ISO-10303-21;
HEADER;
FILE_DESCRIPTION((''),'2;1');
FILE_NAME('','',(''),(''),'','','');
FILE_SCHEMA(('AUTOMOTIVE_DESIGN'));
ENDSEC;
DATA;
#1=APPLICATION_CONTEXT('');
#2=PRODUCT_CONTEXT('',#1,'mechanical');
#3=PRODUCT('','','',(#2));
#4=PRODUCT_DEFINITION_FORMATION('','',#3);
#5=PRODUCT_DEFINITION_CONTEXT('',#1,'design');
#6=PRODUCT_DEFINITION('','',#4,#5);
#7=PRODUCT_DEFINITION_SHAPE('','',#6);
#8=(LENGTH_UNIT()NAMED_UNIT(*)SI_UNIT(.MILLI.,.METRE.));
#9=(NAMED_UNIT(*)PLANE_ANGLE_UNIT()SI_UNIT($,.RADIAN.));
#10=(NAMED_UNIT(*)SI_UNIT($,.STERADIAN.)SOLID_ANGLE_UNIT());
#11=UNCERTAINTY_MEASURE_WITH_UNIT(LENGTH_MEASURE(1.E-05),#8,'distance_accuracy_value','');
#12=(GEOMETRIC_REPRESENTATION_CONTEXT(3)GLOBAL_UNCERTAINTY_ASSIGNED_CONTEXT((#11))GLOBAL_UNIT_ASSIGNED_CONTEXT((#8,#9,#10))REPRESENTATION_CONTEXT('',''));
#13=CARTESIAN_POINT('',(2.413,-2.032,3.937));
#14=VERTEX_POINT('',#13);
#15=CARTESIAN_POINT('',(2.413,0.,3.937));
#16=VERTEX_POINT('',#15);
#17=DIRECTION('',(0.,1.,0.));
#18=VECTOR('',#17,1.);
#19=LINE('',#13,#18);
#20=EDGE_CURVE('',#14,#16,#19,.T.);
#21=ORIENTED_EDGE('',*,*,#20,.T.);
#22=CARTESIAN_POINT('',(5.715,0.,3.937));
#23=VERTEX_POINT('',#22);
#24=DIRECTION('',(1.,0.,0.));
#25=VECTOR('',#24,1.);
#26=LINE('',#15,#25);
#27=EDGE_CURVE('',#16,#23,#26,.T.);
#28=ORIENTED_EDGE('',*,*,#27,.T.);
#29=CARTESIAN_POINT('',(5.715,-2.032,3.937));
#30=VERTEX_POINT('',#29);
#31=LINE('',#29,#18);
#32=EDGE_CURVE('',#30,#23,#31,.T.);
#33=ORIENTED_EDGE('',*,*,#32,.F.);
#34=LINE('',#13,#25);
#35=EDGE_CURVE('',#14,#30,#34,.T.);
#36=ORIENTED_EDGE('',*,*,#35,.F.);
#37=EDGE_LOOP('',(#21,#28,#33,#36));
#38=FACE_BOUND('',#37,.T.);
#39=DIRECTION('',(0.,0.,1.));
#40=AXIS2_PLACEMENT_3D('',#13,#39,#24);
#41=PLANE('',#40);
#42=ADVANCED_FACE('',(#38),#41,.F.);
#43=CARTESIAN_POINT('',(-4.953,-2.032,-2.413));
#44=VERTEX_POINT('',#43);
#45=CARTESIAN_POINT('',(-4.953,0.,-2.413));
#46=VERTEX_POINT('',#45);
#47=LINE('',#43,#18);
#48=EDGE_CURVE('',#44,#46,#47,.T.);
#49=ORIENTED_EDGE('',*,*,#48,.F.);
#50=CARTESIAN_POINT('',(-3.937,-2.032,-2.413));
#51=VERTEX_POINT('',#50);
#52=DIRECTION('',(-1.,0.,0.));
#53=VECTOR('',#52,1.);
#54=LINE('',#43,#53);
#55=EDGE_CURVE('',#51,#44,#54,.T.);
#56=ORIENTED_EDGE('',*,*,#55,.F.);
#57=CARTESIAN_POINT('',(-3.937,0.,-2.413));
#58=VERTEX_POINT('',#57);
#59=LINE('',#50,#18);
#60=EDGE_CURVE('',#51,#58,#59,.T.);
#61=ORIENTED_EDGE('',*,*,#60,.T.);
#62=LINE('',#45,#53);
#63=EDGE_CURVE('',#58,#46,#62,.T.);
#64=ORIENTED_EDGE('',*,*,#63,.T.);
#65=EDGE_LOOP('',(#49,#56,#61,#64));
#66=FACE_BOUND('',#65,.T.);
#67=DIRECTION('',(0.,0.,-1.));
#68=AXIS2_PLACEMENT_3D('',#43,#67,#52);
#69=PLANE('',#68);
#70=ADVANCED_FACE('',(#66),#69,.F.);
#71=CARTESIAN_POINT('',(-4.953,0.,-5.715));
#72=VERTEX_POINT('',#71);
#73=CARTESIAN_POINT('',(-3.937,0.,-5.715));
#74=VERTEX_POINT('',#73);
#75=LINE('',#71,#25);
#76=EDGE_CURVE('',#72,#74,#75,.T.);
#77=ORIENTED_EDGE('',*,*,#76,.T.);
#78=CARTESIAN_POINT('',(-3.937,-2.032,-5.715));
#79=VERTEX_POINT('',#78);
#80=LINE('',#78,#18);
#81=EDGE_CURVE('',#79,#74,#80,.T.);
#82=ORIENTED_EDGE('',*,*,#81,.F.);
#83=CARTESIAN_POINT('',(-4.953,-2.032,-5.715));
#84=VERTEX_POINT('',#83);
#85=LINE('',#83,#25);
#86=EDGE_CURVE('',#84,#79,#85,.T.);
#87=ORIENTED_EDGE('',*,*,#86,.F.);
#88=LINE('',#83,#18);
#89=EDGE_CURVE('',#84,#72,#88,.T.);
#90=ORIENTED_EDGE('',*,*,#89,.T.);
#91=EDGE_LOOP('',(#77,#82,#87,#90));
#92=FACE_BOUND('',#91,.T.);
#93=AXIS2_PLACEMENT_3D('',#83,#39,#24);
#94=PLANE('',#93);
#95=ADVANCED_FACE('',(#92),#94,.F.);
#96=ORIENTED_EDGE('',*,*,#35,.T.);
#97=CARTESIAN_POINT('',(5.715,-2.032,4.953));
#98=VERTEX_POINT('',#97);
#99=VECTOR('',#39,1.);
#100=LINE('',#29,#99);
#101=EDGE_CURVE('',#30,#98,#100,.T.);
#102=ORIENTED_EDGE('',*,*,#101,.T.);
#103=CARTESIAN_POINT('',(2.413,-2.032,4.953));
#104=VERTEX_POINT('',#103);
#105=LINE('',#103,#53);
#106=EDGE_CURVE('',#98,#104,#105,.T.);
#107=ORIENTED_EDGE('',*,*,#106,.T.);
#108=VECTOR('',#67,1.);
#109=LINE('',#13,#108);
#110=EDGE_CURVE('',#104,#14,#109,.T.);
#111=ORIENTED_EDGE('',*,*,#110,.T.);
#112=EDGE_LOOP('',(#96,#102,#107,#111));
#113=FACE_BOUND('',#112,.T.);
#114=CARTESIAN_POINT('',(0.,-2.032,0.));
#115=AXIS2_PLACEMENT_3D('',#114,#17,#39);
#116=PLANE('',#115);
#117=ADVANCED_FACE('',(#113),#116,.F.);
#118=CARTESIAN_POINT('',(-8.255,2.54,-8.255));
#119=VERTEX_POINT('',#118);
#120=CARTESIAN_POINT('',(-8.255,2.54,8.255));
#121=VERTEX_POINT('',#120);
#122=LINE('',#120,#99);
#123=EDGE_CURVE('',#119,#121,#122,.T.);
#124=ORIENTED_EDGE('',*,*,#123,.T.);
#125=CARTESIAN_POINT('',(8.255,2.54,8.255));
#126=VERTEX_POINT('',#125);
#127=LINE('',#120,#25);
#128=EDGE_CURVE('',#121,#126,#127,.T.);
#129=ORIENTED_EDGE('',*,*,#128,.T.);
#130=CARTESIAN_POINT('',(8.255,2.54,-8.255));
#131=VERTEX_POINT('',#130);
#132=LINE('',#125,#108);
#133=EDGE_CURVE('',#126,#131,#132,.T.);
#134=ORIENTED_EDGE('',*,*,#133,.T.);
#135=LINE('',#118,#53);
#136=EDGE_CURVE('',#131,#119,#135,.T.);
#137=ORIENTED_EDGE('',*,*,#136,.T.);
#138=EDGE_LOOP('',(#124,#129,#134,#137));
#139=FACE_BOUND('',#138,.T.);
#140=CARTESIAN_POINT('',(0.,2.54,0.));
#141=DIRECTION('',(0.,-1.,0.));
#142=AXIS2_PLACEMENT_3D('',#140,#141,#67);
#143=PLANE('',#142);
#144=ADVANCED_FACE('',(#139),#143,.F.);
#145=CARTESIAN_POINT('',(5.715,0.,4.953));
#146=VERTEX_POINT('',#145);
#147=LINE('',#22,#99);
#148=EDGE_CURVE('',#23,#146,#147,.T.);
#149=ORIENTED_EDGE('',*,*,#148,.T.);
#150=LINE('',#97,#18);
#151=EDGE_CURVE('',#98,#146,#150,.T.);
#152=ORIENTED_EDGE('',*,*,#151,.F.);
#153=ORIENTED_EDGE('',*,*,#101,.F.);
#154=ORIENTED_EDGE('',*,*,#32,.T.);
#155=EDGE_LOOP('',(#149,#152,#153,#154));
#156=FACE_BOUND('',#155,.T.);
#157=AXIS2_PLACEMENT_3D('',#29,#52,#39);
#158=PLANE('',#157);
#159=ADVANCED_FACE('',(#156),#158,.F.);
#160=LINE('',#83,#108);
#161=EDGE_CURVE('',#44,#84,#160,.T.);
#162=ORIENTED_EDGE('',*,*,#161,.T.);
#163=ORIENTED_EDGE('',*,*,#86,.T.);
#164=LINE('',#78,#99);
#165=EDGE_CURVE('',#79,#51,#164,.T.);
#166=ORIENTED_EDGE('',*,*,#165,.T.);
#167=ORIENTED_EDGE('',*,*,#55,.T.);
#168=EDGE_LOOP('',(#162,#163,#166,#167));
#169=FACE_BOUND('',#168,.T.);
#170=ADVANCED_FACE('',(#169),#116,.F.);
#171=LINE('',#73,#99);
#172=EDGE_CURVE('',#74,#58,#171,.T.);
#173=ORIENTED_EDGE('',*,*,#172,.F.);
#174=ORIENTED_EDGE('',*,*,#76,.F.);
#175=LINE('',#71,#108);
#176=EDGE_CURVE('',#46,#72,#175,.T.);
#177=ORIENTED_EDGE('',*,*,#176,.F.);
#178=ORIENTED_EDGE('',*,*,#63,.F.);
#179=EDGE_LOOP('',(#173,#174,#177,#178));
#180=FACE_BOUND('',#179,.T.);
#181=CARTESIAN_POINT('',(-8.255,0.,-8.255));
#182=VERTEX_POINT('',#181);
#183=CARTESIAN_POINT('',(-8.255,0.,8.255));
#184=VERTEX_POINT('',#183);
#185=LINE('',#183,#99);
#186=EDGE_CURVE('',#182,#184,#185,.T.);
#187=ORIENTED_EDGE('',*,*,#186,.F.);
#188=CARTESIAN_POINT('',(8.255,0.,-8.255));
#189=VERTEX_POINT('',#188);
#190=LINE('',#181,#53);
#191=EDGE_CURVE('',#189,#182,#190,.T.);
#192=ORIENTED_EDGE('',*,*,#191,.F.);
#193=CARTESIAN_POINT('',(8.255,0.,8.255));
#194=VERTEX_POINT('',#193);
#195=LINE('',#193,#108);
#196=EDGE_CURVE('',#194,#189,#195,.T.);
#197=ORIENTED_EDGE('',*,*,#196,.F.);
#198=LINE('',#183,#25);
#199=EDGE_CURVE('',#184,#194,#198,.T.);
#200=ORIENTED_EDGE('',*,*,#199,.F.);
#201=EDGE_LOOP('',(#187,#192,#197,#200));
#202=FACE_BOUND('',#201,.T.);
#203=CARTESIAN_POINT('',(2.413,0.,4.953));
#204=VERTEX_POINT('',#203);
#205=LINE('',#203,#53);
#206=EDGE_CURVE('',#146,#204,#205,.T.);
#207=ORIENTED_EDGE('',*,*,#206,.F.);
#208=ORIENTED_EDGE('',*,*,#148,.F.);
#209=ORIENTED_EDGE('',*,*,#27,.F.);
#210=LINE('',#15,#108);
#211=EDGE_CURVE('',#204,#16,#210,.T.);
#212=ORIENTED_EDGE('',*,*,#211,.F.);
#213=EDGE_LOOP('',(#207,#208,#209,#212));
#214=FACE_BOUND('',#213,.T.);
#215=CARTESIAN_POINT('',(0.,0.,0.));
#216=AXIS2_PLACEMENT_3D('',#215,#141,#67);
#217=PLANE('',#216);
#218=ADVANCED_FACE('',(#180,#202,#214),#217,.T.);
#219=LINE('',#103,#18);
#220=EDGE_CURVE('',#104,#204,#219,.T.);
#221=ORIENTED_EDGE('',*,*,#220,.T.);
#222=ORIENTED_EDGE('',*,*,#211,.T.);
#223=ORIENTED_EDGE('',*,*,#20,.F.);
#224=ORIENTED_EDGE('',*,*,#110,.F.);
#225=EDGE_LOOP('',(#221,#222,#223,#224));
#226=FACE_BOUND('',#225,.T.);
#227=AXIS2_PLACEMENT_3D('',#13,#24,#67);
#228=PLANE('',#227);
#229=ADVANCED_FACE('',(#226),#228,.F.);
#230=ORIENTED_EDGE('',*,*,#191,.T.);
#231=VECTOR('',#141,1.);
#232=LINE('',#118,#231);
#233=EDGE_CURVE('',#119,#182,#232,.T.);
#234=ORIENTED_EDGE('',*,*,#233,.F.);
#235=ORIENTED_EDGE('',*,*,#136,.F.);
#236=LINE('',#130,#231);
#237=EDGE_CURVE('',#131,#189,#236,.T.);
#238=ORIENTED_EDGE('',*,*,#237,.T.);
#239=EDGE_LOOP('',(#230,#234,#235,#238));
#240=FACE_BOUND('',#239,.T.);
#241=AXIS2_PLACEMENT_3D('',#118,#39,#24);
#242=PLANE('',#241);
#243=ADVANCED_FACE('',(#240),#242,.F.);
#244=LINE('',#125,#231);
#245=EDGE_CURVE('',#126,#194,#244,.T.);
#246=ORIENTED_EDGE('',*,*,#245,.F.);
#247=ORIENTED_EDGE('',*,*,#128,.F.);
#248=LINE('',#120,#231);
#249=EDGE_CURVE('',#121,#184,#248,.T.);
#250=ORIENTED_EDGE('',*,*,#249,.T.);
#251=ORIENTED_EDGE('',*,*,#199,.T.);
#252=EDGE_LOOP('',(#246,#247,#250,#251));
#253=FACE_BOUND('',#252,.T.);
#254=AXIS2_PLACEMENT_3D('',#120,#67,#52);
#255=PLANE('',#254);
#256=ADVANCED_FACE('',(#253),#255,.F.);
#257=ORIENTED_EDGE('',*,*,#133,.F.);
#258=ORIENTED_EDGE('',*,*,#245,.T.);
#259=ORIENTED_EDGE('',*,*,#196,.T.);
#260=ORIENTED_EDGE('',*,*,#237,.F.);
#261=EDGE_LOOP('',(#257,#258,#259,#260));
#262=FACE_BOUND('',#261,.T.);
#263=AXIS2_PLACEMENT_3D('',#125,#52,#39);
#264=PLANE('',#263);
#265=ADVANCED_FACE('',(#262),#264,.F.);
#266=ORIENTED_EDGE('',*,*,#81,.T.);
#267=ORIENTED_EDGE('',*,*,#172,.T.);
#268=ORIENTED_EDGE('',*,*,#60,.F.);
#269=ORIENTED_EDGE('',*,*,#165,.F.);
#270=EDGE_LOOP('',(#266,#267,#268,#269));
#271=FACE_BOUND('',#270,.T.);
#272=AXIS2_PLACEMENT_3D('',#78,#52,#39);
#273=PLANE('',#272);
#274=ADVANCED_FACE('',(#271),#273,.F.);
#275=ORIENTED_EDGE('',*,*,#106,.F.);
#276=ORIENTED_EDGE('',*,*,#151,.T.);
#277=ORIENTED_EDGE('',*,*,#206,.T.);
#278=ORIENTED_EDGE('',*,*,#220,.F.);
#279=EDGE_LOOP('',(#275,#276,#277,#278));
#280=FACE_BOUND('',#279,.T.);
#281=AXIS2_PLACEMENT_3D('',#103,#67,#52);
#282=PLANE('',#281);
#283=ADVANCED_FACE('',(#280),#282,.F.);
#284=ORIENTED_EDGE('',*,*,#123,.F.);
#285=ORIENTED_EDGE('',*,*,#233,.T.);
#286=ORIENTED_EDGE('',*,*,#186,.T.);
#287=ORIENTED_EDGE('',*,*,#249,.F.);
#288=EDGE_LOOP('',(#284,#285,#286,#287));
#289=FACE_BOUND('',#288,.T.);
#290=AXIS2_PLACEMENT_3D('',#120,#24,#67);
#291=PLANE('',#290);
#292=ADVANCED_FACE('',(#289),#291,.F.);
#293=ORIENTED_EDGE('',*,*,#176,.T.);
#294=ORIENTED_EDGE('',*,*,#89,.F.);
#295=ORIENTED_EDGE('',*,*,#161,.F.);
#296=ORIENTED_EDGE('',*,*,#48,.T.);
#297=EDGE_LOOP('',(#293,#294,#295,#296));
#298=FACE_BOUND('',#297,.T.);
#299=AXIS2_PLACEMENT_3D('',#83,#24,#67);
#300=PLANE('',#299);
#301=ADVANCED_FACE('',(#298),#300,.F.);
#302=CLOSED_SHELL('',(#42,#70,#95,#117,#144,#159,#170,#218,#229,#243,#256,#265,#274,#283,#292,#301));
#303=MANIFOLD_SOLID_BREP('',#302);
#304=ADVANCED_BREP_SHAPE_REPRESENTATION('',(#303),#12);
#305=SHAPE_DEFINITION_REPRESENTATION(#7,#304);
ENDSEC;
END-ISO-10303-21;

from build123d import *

# Parameters (mm, degrees)
SKETCH1_W           = 16.51
SKETCH1_H           = 16.51
BOSS_EXTRUDE1_DEPTH = 2.54
SKETCH3_W           = 1.016
SKETCH3_H           = 3.302
SKETCH3_W_2         = 3.302
SKETCH3_H_2         = 1.016
BOSS_EXTRUDE2_DEPTH = 2.032


with BuildPart() as part:
    # Sketch1 → Boss-Extrude1 (new body)
    with BuildSketch(Plane(origin=(0, 0, 0), x_dir=(1, 0, 0), z_dir=(0, 1, 0))):
        Rectangle(SKETCH1_W, SKETCH1_H)
    extrude(amount=BOSS_EXTRUDE1_DEPTH)

    # Sketch3 → Boss-Extrude2 (add)
    with BuildSketch(Plane.XZ):
        with Locations((-4.445, -4.064)):
            Rectangle(SKETCH3_W, SKETCH3_H)
        with Locations((4.064, 4.445)):
            Rectangle(SKETCH3_W_2, SKETCH3_H_2)
    extrude(amount=BOSS_EXTRUDE2_DEPTH)


solid = part.part
